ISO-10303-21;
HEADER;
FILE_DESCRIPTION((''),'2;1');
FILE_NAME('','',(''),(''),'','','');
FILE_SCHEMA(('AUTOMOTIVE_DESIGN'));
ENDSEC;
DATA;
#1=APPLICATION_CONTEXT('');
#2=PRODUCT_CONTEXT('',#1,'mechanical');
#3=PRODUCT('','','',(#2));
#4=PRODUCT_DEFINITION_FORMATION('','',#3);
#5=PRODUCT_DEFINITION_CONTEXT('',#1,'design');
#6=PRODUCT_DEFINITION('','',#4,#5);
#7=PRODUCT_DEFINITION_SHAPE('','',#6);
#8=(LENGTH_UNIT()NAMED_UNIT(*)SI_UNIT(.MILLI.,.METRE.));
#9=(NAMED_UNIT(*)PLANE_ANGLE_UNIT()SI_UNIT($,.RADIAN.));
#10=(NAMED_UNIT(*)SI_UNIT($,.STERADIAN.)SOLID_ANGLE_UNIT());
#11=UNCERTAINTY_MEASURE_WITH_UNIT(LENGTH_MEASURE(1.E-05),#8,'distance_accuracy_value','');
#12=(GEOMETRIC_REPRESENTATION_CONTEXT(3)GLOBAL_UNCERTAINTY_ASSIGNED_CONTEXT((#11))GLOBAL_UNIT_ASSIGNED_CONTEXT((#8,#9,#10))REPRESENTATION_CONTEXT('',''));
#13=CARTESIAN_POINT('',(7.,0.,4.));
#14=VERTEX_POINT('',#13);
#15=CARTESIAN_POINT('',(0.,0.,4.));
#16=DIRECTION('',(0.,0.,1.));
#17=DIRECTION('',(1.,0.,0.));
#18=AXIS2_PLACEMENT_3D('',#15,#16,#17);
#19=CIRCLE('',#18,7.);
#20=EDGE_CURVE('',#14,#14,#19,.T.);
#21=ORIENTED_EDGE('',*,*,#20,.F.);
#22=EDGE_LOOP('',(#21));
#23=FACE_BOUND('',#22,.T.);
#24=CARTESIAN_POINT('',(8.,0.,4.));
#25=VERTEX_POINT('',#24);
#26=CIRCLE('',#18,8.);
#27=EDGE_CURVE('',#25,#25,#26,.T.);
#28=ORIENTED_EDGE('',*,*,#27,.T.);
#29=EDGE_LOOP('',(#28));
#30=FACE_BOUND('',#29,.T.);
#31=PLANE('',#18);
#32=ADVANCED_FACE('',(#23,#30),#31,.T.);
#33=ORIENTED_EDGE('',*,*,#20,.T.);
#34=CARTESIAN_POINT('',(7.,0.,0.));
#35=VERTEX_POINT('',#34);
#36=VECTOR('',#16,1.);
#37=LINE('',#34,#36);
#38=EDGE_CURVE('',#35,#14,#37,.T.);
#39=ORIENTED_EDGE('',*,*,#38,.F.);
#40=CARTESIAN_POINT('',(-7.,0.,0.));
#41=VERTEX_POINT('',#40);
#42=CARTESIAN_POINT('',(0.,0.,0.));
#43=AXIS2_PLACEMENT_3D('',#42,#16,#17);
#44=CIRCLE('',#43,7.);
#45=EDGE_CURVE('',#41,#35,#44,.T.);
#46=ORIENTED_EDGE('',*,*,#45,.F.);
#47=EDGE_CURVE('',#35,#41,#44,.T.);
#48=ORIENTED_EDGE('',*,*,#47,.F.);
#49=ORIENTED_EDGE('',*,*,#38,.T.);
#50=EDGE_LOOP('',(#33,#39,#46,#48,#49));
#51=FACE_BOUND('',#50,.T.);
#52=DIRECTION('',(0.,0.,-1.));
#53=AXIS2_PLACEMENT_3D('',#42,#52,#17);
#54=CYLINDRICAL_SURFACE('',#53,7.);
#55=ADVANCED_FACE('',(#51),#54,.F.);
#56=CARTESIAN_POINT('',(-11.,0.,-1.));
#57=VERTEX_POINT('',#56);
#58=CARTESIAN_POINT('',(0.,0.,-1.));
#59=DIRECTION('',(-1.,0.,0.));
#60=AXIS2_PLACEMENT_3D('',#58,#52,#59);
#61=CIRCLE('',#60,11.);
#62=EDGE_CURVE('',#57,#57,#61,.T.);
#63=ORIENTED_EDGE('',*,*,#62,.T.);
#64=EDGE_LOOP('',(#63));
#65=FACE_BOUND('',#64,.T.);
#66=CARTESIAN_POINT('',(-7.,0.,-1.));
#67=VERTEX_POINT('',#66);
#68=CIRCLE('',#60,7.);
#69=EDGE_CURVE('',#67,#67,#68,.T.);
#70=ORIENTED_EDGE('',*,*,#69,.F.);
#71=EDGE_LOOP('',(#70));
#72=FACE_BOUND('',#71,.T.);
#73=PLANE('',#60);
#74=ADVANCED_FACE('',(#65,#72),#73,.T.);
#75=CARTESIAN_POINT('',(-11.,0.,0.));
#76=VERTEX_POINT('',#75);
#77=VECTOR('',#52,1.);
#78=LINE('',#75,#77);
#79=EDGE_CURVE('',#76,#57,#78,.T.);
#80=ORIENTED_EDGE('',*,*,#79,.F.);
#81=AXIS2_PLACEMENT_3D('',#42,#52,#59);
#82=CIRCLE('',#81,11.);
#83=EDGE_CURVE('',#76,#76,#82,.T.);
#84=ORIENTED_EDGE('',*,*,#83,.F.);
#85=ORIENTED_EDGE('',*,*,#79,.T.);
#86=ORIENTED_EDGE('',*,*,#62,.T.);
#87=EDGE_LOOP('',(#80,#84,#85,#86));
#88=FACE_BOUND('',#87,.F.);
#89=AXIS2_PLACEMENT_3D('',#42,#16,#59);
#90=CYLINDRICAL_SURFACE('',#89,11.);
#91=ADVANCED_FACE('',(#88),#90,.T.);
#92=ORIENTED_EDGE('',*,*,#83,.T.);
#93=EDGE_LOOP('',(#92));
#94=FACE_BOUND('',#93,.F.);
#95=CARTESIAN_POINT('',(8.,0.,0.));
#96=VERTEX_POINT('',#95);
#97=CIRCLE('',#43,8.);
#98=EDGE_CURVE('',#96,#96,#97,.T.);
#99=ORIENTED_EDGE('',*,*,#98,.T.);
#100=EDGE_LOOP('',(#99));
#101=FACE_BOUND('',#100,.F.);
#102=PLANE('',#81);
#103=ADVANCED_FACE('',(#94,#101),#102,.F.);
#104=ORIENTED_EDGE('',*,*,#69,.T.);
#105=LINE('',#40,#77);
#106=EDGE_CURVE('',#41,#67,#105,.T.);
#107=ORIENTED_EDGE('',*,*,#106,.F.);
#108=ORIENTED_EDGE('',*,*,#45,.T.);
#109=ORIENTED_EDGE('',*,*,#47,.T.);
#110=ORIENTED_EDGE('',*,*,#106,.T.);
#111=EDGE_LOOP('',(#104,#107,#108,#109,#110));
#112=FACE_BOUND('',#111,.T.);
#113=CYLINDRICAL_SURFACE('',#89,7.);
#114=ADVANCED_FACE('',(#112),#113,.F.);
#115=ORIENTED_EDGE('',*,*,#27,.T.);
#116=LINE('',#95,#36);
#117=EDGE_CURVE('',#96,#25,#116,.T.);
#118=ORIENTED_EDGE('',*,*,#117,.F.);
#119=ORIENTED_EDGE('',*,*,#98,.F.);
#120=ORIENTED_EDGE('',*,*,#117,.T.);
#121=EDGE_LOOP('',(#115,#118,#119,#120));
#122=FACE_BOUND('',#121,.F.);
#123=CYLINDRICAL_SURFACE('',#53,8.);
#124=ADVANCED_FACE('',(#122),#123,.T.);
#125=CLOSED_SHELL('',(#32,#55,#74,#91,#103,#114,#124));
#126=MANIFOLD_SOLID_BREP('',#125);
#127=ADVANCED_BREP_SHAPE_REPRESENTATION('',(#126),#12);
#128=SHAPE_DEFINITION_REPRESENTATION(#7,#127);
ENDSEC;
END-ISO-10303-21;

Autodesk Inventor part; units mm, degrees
ref_plane "YZ Plane" through (0, 0, 0) normal (1, 0, 0) x (0, 1, 0)
ref_plane "XZ Plane" through (0, 0, 0) normal (0, 1, 0) x (-1, 0, 0)
ref_plane "XY Plane" through (0, 0, 0) normal (0, 0, 1) x (1, 0, 0)
sketch "スケッチ1" plane through (0, 0, 0) normal (0, 0, 1) x (1, 0, 0)
  circle A0 centre (0, 0) radius 7
  circle A1 centre (0, 0) radius 8
  dimension "d0" = 14
  dimension "d1" = 16
extrude "押し出し1" add sketch "スケッチ1" along normal blind 4
sketch "スケッチ2" plane through (0, 0, 0) normal (0, 0, -1) x (-1, 0, 0)
  circle A0 centre (0, 0) radius 8 projected
  circle A1 centre (0, 0) radius 7 projected
  circle A2 centre (0, 0) radius 11
  dimension "d4" = 22
extrude "押し出し2" add sketch "スケッチ2" along normal blind 1 contours A0 | A2
properties part number "オイレスフランジ付き14162204" material "アセタール樹脂、黒"
